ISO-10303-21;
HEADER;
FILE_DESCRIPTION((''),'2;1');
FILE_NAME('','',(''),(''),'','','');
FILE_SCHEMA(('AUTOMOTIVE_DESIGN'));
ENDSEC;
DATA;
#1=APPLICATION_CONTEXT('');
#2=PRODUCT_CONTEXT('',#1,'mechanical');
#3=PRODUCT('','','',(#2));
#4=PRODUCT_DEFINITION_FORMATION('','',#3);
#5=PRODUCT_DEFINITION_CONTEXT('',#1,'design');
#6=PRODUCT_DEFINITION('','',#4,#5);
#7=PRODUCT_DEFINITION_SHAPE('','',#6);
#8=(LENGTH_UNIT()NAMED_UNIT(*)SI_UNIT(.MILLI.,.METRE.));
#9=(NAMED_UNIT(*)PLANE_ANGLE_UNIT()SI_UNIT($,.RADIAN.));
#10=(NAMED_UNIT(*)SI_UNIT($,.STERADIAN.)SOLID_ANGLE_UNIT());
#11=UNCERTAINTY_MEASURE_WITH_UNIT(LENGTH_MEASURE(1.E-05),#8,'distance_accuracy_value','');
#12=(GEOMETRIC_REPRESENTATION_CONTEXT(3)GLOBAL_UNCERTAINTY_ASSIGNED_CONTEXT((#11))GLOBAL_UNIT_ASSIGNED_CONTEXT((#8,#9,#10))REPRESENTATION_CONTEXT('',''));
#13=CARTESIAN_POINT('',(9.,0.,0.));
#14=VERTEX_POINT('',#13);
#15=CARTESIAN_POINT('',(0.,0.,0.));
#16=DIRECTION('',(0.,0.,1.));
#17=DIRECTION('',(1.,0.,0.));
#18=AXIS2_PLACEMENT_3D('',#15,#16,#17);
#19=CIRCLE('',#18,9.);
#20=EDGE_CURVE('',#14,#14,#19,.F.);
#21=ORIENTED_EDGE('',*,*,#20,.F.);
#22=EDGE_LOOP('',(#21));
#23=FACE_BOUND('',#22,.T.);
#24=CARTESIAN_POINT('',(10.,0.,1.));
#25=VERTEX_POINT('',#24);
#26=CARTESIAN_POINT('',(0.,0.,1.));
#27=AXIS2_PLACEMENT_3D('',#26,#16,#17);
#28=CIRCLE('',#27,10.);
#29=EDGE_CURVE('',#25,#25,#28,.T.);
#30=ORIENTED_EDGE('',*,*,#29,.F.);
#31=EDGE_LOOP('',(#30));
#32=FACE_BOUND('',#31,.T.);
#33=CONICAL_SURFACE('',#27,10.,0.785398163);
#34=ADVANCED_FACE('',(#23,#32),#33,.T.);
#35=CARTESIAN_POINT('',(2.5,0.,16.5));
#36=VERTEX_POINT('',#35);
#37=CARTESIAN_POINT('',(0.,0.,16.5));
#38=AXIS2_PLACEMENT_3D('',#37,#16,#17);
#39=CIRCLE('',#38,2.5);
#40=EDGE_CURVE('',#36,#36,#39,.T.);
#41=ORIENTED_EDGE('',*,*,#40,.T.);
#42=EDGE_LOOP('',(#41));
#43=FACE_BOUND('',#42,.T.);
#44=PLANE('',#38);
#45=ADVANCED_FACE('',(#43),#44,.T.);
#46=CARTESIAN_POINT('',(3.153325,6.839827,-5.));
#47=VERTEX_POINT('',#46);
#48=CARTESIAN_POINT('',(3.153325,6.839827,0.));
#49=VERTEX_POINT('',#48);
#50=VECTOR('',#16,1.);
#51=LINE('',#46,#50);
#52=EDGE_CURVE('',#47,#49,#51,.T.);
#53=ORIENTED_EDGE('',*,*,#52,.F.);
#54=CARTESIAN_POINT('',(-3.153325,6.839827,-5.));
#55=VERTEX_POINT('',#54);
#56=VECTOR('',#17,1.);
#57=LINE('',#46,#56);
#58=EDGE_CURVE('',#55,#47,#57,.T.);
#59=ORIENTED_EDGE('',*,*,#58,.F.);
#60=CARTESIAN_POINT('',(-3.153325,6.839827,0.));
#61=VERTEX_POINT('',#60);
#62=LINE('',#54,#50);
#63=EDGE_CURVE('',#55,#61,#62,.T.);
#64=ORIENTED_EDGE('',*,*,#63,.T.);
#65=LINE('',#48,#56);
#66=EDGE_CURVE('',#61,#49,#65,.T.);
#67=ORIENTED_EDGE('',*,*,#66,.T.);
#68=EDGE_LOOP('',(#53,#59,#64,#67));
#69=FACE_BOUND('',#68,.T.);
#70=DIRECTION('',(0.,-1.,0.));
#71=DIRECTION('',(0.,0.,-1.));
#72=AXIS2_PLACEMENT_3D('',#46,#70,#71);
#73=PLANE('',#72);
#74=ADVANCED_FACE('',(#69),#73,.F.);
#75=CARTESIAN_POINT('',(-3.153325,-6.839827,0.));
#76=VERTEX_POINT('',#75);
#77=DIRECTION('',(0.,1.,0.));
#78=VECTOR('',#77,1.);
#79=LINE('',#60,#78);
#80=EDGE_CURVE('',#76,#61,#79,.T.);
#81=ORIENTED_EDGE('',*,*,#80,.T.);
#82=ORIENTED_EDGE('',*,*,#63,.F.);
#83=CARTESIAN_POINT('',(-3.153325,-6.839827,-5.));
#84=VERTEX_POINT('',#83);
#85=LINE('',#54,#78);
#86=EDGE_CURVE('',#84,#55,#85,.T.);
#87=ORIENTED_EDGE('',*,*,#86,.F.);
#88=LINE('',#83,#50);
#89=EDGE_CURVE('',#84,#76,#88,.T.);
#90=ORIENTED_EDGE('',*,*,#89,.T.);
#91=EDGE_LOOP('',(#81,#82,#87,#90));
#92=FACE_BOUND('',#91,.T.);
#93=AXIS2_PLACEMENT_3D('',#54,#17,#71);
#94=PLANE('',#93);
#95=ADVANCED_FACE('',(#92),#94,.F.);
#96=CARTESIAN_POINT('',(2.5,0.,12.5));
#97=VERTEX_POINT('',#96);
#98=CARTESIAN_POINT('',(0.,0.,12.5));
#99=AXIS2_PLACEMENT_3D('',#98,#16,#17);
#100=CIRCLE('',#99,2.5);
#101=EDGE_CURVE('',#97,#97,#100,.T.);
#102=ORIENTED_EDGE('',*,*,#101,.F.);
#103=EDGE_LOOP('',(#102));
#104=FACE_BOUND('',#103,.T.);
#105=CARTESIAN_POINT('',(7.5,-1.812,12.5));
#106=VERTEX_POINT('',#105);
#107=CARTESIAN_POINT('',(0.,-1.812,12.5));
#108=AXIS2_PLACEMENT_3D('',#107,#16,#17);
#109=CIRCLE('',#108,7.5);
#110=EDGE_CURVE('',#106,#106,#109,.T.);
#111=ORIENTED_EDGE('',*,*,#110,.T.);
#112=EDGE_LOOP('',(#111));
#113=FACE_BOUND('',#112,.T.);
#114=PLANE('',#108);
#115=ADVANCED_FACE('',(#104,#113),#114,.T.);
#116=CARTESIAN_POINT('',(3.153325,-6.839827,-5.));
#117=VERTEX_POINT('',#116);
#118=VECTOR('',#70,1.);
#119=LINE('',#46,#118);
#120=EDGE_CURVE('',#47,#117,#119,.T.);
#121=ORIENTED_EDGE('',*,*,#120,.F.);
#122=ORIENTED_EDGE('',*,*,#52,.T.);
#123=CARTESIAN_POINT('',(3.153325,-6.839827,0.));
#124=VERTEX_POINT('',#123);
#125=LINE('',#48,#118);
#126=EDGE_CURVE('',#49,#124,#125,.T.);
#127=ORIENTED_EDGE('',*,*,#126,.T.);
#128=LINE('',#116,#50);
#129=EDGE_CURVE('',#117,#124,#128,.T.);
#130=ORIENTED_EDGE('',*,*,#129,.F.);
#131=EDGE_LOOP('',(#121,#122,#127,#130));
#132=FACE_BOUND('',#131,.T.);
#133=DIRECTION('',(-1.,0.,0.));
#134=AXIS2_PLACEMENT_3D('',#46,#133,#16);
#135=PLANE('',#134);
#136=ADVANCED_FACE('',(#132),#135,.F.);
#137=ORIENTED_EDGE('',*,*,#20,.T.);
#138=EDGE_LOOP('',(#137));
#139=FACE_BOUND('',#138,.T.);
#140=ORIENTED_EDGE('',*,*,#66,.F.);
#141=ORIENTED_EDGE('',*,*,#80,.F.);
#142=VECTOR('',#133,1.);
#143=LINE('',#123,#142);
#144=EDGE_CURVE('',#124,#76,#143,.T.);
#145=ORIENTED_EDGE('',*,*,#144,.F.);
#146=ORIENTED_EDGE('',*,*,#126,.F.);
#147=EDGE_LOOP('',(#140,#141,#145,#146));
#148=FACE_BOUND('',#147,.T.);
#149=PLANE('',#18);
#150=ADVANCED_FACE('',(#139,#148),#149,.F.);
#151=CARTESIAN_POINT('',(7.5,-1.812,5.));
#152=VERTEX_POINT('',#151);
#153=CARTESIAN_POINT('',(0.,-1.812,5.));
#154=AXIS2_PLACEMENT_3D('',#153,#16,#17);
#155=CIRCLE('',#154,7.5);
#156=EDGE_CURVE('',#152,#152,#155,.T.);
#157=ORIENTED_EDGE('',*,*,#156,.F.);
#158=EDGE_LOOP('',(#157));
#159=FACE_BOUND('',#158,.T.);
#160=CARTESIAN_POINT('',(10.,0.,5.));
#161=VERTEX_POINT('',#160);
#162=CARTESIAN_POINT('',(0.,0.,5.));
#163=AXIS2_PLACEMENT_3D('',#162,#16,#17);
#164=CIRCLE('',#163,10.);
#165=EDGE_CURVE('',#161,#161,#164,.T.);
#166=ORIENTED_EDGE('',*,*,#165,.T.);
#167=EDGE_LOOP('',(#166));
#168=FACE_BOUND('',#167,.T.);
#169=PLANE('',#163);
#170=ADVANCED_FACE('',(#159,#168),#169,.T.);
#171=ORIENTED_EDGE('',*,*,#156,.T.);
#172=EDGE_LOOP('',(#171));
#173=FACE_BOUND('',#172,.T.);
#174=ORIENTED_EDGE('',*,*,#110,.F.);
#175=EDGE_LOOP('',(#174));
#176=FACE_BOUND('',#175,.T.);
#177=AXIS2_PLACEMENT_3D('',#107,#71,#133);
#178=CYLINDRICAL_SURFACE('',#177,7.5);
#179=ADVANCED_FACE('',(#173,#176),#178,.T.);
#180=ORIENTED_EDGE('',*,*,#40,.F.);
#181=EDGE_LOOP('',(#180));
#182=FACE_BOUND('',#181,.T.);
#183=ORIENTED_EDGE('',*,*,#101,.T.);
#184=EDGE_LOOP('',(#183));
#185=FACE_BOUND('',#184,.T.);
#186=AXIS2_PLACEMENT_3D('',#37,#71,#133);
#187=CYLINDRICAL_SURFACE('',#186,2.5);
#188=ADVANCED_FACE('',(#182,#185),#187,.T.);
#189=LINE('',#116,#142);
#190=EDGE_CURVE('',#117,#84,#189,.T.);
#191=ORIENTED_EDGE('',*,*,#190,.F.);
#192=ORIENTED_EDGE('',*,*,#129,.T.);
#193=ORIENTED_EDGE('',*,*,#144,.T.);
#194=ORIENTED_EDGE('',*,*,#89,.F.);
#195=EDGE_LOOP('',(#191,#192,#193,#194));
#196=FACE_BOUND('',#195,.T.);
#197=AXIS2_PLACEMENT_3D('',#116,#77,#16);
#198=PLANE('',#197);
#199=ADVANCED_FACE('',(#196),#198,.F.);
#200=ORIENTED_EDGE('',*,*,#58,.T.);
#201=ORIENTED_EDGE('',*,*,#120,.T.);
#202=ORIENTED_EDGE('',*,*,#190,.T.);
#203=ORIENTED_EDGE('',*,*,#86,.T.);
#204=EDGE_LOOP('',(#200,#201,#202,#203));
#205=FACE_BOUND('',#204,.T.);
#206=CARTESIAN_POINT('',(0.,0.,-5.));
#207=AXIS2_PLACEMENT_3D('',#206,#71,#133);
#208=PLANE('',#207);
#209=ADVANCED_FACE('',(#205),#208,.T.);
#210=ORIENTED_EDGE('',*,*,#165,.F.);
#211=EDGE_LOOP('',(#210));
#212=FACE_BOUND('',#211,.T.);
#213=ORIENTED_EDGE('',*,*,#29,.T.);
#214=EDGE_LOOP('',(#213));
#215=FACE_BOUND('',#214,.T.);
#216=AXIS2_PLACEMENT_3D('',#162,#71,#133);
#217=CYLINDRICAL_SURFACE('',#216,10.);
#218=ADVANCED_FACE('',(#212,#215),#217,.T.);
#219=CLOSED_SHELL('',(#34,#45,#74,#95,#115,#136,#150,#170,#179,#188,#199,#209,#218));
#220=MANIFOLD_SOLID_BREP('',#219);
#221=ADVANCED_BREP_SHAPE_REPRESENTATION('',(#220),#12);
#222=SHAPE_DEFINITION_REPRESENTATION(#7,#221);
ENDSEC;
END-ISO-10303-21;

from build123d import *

# Parameters (mm, degrees)
SKETCH1_R           = 10
BOSS_EXTRUDE1_DEPTH = 5
SKETCH2_R           = 7.5
BOSS_EXTRUDE2_DEPTH = 7.5
SKETCH3_R           = 2.5
BOSS_EXTRUDE3_DEPTH = 4
SKETCH4_W           = 6.306649828
SKETCH4_H           = 13.679653114
BOSS_EXTRUDE4_DEPTH = 5
CHAMFER2_SIZE       = 1


with BuildPart() as part:
    # Sketch1 → Boss-Extrude1 (new body)
    with BuildSketch(Plane.XY):
        Circle(SKETCH1_R)
    extrude(amount=BOSS_EXTRUDE1_DEPTH)

    # Sketch2 → Boss-Extrude2 (add)
    with BuildSketch(Plane.XY.offset(5)):
        with Locations((0, -1.812)):
            Circle(SKETCH2_R)
    extrude(amount=BOSS_EXTRUDE2_DEPTH)

    # Sketch3 → Boss-Extrude3 (add)
    with BuildSketch(Plane.XY.offset(12.5)):
        Circle(SKETCH3_R)
    extrude(amount=BOSS_EXTRUDE3_DEPTH)

    # Sketch4 → Boss-Extrude4 (add)
    with BuildSketch(Plane(origin=(0, 0, 0), x_dir=(-1, 0, 0), z_dir=(0, 0, -1))):
        Rectangle(SKETCH4_W, SKETCH4_H)
    extrude(amount=BOSS_EXTRUDE4_DEPTH)

    # Chamfer2
    chamfer2_edges = [part.edges().sort_by_distance(p)[0] for p in [
        (-10, 0, 0),
    ]]
    chamfer(chamfer2_edges, length=CHAMFER2_SIZE)


solid = part.part
